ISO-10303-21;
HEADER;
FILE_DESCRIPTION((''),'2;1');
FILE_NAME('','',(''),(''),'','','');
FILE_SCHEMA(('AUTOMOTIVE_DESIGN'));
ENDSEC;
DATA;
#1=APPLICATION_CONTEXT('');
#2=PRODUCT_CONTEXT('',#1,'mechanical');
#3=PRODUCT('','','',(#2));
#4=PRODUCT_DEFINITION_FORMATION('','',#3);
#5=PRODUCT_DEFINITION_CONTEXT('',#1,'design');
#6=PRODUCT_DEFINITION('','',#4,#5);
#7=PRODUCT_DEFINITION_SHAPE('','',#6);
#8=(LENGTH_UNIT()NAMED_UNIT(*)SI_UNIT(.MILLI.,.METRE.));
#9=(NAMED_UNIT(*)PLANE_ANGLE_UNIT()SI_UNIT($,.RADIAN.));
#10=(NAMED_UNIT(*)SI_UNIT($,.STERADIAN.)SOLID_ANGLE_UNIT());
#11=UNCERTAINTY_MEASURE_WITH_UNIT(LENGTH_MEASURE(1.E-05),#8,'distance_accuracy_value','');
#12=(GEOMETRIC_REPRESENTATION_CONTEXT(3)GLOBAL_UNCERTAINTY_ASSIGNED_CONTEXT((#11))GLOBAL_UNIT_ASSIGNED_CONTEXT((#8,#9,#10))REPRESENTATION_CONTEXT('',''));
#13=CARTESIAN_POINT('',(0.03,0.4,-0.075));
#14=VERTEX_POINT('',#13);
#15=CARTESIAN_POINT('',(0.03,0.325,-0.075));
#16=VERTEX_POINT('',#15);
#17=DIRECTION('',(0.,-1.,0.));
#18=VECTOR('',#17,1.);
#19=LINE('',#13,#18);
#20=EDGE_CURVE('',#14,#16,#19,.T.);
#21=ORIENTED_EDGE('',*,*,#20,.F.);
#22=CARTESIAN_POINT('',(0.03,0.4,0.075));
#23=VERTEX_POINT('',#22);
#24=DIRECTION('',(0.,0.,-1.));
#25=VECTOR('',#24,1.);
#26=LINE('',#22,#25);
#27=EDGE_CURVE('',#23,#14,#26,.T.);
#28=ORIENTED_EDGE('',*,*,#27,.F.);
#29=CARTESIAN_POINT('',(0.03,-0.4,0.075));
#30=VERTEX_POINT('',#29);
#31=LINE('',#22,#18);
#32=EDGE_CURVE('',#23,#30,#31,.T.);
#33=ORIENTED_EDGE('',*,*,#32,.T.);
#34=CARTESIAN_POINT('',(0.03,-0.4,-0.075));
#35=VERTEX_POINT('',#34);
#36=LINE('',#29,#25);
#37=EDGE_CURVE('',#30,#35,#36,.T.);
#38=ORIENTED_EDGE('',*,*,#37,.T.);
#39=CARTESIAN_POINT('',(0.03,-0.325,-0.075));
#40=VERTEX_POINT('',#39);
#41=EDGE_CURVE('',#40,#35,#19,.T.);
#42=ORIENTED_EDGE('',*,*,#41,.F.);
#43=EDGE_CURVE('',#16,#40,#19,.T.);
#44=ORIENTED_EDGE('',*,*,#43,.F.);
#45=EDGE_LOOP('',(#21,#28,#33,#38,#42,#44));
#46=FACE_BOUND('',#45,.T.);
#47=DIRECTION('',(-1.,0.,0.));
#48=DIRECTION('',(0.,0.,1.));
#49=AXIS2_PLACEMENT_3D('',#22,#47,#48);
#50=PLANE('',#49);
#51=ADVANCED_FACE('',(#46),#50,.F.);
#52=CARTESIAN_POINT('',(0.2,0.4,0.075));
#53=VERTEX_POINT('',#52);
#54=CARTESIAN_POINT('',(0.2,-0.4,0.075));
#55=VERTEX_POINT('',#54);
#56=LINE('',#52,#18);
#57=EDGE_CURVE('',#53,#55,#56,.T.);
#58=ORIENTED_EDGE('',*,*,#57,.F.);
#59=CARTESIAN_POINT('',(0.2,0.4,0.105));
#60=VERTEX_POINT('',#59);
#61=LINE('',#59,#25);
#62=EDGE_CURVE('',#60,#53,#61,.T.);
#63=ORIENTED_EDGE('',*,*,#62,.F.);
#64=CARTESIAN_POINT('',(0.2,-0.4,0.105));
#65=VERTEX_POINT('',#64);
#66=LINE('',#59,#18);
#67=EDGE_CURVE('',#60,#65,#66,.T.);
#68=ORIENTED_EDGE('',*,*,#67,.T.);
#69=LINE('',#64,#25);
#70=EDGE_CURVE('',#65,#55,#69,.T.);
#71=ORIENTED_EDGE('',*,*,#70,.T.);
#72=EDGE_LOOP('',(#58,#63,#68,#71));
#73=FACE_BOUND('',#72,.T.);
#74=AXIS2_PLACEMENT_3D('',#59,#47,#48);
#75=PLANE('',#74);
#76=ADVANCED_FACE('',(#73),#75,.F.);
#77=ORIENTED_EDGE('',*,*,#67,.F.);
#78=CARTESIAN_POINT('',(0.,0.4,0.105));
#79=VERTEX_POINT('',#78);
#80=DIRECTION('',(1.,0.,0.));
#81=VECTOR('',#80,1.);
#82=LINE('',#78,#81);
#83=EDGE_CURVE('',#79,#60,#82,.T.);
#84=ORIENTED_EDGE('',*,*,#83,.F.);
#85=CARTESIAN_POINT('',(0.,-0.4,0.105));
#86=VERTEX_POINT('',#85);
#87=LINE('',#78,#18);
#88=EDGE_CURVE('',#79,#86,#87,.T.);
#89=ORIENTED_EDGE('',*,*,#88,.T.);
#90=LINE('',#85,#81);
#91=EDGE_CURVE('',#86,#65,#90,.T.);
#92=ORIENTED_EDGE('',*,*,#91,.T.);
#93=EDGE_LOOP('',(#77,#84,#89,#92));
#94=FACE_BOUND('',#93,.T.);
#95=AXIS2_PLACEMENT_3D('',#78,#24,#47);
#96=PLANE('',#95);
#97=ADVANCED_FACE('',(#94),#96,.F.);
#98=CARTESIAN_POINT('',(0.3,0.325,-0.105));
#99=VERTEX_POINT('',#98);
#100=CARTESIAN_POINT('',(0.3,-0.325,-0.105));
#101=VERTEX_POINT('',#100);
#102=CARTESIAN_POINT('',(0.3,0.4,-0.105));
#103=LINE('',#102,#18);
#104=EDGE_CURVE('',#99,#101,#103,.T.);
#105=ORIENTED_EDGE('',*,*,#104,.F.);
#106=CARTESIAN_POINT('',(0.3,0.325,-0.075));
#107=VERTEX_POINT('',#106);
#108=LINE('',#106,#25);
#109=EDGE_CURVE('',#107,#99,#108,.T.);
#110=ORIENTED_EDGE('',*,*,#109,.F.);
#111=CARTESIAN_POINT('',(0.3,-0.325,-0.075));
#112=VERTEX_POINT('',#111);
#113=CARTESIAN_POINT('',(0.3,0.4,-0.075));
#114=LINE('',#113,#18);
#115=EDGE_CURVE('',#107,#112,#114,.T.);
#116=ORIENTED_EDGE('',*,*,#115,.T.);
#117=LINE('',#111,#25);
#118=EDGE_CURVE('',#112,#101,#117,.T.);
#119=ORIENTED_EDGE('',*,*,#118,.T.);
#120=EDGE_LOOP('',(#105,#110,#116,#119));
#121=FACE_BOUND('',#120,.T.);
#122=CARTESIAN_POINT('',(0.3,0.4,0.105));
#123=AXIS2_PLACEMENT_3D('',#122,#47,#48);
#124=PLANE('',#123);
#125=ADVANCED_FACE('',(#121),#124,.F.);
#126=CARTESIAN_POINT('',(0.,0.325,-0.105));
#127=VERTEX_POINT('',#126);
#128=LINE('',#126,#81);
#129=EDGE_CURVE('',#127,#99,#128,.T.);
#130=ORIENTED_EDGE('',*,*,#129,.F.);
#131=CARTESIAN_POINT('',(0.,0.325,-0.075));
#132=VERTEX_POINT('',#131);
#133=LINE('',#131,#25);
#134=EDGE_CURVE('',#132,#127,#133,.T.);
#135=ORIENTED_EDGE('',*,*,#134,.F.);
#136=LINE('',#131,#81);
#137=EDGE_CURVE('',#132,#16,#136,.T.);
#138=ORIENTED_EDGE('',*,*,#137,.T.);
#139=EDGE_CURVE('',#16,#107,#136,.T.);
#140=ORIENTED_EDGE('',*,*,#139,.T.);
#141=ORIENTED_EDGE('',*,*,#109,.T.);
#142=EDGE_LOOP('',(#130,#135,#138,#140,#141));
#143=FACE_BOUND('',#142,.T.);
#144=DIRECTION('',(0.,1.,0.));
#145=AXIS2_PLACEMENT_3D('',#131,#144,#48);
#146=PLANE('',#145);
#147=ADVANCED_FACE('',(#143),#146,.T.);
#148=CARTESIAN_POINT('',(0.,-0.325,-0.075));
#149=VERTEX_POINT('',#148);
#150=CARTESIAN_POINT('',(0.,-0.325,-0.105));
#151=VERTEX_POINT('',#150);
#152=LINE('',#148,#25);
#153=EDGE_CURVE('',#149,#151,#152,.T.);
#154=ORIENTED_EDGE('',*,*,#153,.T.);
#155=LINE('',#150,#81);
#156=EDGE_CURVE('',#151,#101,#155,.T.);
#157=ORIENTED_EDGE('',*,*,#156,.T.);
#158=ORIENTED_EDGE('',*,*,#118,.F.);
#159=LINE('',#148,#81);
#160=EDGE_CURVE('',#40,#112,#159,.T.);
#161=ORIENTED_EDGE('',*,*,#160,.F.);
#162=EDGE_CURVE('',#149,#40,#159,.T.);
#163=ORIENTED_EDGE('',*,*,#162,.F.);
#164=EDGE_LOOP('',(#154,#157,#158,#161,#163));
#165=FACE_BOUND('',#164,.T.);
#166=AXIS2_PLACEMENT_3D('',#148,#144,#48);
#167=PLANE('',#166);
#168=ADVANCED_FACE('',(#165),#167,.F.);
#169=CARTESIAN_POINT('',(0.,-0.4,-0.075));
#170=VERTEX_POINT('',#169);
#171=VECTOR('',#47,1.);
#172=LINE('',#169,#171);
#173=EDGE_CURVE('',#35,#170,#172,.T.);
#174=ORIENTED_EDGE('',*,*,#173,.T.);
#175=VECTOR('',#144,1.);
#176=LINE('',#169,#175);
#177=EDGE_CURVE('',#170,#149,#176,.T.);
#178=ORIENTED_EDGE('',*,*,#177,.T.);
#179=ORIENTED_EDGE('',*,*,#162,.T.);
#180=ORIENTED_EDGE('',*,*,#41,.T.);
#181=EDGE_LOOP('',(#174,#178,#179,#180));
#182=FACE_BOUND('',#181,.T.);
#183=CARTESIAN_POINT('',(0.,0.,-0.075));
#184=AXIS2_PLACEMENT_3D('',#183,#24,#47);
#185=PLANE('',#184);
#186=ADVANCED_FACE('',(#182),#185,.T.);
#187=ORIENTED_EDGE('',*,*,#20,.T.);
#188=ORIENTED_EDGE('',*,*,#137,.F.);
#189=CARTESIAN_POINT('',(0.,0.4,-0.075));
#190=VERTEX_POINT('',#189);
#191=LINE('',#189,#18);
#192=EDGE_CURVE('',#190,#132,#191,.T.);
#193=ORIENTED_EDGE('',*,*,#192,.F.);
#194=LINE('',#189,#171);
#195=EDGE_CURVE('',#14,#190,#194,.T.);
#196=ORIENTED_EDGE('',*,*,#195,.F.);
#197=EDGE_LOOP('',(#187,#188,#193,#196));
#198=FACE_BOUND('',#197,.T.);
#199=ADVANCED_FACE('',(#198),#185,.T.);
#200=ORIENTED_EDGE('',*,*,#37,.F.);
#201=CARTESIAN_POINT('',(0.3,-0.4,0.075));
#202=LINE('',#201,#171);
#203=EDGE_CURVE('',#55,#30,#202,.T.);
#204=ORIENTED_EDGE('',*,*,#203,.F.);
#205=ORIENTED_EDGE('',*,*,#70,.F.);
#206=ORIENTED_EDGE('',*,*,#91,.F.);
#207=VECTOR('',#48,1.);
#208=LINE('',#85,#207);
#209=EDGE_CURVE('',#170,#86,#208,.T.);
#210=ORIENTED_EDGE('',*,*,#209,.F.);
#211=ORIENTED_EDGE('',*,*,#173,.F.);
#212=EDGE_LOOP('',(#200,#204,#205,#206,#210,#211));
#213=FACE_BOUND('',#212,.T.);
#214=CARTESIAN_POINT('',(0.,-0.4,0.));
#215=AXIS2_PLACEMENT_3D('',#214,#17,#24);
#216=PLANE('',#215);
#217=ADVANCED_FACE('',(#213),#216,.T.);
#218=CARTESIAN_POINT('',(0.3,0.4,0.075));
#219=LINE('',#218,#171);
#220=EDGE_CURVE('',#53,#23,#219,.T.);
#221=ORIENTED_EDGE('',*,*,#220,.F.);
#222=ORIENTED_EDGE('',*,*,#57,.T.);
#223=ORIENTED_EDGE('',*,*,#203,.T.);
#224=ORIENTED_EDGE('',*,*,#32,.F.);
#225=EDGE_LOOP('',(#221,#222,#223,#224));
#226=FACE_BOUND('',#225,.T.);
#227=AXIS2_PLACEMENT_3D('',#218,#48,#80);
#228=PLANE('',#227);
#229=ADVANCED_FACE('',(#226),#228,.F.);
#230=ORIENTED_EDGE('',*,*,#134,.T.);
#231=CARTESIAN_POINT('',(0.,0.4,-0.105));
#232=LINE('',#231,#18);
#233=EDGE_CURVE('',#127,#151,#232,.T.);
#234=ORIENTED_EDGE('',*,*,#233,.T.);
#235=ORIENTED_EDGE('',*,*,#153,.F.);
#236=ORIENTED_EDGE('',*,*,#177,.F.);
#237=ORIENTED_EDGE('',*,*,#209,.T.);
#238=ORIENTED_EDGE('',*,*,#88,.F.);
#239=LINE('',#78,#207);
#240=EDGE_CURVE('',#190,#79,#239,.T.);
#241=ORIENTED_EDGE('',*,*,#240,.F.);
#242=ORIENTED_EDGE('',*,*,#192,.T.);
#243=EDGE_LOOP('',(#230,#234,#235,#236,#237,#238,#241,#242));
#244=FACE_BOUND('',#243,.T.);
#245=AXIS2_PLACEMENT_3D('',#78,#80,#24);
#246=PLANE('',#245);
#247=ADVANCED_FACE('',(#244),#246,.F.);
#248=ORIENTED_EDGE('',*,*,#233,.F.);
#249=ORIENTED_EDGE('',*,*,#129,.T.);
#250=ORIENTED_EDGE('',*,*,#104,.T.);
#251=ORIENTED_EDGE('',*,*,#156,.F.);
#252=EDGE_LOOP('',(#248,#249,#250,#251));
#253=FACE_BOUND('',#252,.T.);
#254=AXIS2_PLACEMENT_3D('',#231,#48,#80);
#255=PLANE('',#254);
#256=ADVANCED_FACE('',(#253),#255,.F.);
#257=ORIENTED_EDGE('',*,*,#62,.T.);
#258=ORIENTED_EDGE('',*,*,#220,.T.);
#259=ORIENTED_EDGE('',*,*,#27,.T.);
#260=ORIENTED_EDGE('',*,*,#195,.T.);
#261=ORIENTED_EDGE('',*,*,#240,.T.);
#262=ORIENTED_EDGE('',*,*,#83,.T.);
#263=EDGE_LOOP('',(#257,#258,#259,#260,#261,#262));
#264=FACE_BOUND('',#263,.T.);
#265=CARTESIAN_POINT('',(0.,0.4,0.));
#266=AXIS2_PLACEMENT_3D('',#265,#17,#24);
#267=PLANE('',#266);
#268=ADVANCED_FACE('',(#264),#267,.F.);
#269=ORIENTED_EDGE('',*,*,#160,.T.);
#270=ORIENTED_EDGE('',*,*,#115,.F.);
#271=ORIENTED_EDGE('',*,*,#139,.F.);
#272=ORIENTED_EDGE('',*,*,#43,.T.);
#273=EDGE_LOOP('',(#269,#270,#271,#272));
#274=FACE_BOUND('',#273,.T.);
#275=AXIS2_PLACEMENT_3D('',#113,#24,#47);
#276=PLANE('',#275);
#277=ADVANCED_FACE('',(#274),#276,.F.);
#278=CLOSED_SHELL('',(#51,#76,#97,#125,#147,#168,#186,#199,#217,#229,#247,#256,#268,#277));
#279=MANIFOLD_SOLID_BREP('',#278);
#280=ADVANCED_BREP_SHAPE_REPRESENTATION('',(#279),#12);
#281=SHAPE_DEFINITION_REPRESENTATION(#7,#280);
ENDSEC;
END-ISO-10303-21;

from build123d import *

# Parameters (mm, degrees)
SKETCH1_W           = 0.3
SKETCH1_H           = 0.21
BOSS_EXTRUDE1_DEPTH = 0.4
SKETCH2_W           = 0.27
SKETCH2_H           = 0.15
CUT_EXTRUDE1_DEPTH  = 1.8
SKETCH3_W           = 0.1
SKETCH3_H           = 0.03
CUT_EXTRUDE2_DEPTH  = 1.8
SKETCH4_W           = 0.3
SKETCH4_H           = 0.075
CUT_EXTRUDE3_DEPTH  = 0.03


with BuildPart() as part:
    # Sketch1 → Boss-Extrude1 (new body, symmetric)
    with BuildSketch(Plane(origin=(0, 0, 0), x_dir=(1, 0, 0), z_dir=(0, 1, 0))):
        with Locations((0.15, 0)):
            Rectangle(SKETCH1_W, SKETCH1_H)
    extrude(amount=BOSS_EXTRUDE1_DEPTH, both=True)

    # Sketch2 → Cut-Extrude1 (cut, through all)
    with BuildSketch(Plane.XZ.offset(0.4)):
        with Locations((0.165, 0)):
            Rectangle(SKETCH2_W, SKETCH2_H)
    extrude(amount=-CUT_EXTRUDE1_DEPTH, mode=Mode.SUBTRACT)

    # Sketch3 → Cut-Extrude2 (cut, through all)
    with BuildSketch(Plane.XZ.offset(0.4)):
        with Locations((0.25, 0.09)):
            Rectangle(SKETCH3_W, SKETCH3_H)
    extrude(amount=-CUT_EXTRUDE2_DEPTH, mode=Mode.SUBTRACT)

    # Sketch4 → Cut-Extrude3 (cut)
    with BuildSketch(Plane(origin=(0, 0, -0.105), x_dir=(-1, 0, 0), z_dir=(0, 0, -1))):
        with Locations((-0.15, -0.3625)):
            Rectangle(SKETCH4_W, SKETCH4_H)
    cut_extrude3 = extrude(amount=-CUT_EXTRUDE3_DEPTH, mode=Mode.SUBTRACT)

    # Mirror1: Cut-Extrude3 across plane
    add(cut_extrude3.mirror(Plane.ZX), mode=Mode.SUBTRACT)


solid = part.part
